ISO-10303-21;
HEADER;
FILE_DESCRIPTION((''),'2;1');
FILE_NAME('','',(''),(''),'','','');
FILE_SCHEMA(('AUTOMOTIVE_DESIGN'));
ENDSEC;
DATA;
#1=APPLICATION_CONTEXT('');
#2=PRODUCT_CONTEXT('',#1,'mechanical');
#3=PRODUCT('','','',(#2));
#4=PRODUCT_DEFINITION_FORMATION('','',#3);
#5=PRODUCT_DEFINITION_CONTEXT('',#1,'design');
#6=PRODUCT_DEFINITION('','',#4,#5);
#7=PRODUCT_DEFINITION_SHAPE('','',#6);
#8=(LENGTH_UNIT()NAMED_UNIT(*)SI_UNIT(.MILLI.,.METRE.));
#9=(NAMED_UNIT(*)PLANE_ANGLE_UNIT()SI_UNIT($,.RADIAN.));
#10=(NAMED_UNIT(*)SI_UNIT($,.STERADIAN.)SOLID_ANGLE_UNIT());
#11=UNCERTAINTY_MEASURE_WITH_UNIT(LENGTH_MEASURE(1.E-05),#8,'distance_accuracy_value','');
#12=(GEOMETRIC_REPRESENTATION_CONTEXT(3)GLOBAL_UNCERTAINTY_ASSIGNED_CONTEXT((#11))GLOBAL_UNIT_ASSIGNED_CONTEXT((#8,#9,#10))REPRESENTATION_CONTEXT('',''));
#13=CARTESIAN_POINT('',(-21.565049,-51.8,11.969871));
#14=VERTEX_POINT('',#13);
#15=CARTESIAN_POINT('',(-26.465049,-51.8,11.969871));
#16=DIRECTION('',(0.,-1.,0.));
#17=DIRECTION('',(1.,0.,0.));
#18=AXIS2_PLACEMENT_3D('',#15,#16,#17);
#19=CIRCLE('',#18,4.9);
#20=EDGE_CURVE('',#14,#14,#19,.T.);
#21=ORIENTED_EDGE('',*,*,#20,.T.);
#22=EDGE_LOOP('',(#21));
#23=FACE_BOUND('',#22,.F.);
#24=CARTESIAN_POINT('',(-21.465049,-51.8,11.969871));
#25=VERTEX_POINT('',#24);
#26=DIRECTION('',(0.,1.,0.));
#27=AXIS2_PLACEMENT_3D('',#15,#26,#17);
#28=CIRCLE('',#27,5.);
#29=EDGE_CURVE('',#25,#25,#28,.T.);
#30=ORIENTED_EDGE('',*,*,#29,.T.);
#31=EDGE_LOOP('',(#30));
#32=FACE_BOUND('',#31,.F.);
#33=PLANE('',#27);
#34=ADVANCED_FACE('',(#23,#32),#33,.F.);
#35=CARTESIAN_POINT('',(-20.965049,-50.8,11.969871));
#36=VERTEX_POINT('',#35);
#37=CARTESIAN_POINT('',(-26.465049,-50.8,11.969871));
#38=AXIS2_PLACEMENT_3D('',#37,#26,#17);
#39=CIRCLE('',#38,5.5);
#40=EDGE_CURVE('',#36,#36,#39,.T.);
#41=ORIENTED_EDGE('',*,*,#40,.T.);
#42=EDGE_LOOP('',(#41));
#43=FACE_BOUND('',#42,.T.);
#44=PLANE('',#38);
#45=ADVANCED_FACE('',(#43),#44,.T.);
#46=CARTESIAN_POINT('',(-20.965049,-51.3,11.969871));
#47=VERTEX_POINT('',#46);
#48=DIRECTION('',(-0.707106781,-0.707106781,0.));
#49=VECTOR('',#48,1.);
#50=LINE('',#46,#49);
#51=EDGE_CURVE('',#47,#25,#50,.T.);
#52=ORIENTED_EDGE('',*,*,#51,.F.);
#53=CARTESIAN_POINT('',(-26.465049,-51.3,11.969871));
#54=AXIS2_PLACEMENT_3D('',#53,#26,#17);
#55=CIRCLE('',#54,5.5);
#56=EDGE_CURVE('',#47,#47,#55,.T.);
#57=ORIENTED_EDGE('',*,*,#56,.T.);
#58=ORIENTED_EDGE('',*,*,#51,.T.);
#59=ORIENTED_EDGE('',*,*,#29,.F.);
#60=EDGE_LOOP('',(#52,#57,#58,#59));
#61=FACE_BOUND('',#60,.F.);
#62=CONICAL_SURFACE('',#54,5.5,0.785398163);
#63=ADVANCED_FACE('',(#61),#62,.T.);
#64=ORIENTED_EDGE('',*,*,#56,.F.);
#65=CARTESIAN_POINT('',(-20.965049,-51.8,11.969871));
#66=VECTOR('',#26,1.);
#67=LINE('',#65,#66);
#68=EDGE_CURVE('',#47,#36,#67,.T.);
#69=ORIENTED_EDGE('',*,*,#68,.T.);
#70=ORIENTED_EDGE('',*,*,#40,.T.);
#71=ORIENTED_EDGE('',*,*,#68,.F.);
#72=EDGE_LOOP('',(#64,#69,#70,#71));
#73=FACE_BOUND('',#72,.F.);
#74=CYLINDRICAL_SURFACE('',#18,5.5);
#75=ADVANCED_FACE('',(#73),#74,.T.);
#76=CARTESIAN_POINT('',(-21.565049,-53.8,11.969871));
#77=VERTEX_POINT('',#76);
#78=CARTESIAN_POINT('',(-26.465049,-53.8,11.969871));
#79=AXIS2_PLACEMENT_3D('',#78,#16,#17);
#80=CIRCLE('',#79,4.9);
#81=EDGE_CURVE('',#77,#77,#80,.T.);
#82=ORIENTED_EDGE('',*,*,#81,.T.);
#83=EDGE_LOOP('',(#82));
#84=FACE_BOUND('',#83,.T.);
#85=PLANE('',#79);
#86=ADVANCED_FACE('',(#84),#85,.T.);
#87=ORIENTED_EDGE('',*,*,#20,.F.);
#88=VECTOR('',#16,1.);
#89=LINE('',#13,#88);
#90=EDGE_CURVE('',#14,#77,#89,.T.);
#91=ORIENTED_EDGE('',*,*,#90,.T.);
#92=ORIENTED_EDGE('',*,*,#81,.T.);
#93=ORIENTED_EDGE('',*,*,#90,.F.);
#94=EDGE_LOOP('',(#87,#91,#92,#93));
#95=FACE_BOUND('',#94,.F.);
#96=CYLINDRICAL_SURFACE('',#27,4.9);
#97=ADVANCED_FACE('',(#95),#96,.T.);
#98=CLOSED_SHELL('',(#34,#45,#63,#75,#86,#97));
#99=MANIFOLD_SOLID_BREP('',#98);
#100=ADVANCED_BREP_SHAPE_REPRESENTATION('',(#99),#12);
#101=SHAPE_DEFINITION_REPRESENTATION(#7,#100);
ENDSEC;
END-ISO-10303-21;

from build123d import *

# Parameters (mm, degrees)
SKETCH003_R     = 4.9
PAD002_DEPTH    = 2
SKETCH004_R     = 5.5
PAD003_DEPTH    = 1
CHAMFER005_SIZE = 0.5


with BuildPart() as part:
    # Sketch003 → Pad002 (new body)
    with BuildSketch(Plane.XZ):
        with Locations((-27.765049, 49.769871)):
            Circle(SKETCH003_R)
    extrude(amount=PAD002_DEPTH)

    # Sketch004 (on Face2 of Pad002) → Pad003 (join)
    with BuildSketch(Plane(origin=(0, 0, 0), x_dir=(1, 0, 0), z_dir=(0, 1, 0))):
        with Locations((-27.765049, -49.769871)):
            Circle(SKETCH004_R)
    extrude(amount=PAD003_DEPTH)

    # Chamfer005
    chamfer005_edges = [part.edges().sort_by_distance(p)[0] for p in [
        (-33.265049, 0, 49.769871),
    ]]
    chamfer(chamfer005_edges, length=CHAMFER005_SIZE)


with BuildPart() as part_1:
    # Body001 placement: moved
    add(part.part.moved(Location((1.3, -51.8, -37.8))))


solid = part_1.part
